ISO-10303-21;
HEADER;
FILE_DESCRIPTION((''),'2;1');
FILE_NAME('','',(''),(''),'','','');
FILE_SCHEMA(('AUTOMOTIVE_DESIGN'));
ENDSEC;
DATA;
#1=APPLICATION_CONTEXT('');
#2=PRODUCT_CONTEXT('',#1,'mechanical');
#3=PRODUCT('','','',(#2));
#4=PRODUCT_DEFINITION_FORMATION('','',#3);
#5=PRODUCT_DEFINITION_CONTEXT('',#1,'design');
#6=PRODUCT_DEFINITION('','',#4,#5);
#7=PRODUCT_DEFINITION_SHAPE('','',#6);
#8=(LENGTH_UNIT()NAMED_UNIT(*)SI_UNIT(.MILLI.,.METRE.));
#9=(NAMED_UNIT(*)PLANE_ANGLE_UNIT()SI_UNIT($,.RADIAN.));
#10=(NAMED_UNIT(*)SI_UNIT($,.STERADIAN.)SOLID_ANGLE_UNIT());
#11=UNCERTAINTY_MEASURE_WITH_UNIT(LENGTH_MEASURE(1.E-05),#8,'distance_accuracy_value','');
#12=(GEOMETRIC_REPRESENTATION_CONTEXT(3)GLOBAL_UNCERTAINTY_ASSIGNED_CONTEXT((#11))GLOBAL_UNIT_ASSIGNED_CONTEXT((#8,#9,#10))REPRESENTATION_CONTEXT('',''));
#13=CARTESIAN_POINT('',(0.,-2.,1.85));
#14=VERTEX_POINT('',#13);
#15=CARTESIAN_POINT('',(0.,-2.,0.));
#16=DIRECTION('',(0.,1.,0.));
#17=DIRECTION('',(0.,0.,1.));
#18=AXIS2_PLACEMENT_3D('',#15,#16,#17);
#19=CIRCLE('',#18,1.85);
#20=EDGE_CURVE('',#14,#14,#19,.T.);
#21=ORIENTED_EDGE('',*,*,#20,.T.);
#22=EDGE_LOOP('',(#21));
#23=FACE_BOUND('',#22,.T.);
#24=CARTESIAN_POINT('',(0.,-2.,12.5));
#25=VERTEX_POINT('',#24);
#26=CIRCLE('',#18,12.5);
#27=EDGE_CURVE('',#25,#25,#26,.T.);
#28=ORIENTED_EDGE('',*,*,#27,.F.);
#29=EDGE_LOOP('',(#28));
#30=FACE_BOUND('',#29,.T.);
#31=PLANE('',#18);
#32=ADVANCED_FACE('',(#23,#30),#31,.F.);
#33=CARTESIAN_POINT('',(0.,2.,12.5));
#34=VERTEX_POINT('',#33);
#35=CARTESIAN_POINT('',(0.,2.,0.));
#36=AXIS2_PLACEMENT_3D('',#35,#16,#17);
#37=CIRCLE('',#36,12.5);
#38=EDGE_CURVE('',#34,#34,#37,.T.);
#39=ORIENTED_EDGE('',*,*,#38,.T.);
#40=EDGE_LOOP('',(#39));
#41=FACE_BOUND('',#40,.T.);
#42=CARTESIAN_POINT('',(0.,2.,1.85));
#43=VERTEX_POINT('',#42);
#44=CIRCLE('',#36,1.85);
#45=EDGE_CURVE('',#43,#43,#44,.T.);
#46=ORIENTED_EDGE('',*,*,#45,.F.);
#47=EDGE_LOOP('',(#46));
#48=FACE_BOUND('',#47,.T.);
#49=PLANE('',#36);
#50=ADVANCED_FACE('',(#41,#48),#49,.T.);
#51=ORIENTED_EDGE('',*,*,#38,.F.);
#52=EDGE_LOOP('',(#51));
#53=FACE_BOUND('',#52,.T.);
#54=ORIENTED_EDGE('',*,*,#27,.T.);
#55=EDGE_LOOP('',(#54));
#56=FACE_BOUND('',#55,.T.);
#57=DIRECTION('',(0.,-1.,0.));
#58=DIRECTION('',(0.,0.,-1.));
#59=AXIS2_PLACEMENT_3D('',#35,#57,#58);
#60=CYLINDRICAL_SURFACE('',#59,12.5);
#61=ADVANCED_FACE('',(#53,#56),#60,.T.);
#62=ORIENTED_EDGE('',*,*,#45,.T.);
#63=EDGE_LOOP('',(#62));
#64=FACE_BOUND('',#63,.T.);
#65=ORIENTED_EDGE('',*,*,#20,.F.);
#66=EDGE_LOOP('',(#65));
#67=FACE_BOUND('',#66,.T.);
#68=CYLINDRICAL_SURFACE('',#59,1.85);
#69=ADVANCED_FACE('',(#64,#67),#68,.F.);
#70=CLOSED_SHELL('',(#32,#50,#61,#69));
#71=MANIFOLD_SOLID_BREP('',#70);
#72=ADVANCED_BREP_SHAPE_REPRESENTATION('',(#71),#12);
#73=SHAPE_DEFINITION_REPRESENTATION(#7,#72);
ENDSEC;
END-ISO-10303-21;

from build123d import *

# Parameters (mm, degrees)
SKETCH1_R           = 12.5
SKETCH1_R_2         = 1.85
BOSS_EXTRUDE1_DEPTH = 2


with BuildPart() as part:
    # Sketch1 → Boss-Extrude1 (new body, symmetric)
    with BuildSketch(Plane(origin=(0, 0, 0), x_dir=(1, 0, 0), z_dir=(0, 1, 0))):
        Circle(SKETCH1_R)
        Circle(SKETCH1_R_2, mode=Mode.SUBTRACT)
    extrude(amount=BOSS_EXTRUDE1_DEPTH, both=True)


solid = part.part
